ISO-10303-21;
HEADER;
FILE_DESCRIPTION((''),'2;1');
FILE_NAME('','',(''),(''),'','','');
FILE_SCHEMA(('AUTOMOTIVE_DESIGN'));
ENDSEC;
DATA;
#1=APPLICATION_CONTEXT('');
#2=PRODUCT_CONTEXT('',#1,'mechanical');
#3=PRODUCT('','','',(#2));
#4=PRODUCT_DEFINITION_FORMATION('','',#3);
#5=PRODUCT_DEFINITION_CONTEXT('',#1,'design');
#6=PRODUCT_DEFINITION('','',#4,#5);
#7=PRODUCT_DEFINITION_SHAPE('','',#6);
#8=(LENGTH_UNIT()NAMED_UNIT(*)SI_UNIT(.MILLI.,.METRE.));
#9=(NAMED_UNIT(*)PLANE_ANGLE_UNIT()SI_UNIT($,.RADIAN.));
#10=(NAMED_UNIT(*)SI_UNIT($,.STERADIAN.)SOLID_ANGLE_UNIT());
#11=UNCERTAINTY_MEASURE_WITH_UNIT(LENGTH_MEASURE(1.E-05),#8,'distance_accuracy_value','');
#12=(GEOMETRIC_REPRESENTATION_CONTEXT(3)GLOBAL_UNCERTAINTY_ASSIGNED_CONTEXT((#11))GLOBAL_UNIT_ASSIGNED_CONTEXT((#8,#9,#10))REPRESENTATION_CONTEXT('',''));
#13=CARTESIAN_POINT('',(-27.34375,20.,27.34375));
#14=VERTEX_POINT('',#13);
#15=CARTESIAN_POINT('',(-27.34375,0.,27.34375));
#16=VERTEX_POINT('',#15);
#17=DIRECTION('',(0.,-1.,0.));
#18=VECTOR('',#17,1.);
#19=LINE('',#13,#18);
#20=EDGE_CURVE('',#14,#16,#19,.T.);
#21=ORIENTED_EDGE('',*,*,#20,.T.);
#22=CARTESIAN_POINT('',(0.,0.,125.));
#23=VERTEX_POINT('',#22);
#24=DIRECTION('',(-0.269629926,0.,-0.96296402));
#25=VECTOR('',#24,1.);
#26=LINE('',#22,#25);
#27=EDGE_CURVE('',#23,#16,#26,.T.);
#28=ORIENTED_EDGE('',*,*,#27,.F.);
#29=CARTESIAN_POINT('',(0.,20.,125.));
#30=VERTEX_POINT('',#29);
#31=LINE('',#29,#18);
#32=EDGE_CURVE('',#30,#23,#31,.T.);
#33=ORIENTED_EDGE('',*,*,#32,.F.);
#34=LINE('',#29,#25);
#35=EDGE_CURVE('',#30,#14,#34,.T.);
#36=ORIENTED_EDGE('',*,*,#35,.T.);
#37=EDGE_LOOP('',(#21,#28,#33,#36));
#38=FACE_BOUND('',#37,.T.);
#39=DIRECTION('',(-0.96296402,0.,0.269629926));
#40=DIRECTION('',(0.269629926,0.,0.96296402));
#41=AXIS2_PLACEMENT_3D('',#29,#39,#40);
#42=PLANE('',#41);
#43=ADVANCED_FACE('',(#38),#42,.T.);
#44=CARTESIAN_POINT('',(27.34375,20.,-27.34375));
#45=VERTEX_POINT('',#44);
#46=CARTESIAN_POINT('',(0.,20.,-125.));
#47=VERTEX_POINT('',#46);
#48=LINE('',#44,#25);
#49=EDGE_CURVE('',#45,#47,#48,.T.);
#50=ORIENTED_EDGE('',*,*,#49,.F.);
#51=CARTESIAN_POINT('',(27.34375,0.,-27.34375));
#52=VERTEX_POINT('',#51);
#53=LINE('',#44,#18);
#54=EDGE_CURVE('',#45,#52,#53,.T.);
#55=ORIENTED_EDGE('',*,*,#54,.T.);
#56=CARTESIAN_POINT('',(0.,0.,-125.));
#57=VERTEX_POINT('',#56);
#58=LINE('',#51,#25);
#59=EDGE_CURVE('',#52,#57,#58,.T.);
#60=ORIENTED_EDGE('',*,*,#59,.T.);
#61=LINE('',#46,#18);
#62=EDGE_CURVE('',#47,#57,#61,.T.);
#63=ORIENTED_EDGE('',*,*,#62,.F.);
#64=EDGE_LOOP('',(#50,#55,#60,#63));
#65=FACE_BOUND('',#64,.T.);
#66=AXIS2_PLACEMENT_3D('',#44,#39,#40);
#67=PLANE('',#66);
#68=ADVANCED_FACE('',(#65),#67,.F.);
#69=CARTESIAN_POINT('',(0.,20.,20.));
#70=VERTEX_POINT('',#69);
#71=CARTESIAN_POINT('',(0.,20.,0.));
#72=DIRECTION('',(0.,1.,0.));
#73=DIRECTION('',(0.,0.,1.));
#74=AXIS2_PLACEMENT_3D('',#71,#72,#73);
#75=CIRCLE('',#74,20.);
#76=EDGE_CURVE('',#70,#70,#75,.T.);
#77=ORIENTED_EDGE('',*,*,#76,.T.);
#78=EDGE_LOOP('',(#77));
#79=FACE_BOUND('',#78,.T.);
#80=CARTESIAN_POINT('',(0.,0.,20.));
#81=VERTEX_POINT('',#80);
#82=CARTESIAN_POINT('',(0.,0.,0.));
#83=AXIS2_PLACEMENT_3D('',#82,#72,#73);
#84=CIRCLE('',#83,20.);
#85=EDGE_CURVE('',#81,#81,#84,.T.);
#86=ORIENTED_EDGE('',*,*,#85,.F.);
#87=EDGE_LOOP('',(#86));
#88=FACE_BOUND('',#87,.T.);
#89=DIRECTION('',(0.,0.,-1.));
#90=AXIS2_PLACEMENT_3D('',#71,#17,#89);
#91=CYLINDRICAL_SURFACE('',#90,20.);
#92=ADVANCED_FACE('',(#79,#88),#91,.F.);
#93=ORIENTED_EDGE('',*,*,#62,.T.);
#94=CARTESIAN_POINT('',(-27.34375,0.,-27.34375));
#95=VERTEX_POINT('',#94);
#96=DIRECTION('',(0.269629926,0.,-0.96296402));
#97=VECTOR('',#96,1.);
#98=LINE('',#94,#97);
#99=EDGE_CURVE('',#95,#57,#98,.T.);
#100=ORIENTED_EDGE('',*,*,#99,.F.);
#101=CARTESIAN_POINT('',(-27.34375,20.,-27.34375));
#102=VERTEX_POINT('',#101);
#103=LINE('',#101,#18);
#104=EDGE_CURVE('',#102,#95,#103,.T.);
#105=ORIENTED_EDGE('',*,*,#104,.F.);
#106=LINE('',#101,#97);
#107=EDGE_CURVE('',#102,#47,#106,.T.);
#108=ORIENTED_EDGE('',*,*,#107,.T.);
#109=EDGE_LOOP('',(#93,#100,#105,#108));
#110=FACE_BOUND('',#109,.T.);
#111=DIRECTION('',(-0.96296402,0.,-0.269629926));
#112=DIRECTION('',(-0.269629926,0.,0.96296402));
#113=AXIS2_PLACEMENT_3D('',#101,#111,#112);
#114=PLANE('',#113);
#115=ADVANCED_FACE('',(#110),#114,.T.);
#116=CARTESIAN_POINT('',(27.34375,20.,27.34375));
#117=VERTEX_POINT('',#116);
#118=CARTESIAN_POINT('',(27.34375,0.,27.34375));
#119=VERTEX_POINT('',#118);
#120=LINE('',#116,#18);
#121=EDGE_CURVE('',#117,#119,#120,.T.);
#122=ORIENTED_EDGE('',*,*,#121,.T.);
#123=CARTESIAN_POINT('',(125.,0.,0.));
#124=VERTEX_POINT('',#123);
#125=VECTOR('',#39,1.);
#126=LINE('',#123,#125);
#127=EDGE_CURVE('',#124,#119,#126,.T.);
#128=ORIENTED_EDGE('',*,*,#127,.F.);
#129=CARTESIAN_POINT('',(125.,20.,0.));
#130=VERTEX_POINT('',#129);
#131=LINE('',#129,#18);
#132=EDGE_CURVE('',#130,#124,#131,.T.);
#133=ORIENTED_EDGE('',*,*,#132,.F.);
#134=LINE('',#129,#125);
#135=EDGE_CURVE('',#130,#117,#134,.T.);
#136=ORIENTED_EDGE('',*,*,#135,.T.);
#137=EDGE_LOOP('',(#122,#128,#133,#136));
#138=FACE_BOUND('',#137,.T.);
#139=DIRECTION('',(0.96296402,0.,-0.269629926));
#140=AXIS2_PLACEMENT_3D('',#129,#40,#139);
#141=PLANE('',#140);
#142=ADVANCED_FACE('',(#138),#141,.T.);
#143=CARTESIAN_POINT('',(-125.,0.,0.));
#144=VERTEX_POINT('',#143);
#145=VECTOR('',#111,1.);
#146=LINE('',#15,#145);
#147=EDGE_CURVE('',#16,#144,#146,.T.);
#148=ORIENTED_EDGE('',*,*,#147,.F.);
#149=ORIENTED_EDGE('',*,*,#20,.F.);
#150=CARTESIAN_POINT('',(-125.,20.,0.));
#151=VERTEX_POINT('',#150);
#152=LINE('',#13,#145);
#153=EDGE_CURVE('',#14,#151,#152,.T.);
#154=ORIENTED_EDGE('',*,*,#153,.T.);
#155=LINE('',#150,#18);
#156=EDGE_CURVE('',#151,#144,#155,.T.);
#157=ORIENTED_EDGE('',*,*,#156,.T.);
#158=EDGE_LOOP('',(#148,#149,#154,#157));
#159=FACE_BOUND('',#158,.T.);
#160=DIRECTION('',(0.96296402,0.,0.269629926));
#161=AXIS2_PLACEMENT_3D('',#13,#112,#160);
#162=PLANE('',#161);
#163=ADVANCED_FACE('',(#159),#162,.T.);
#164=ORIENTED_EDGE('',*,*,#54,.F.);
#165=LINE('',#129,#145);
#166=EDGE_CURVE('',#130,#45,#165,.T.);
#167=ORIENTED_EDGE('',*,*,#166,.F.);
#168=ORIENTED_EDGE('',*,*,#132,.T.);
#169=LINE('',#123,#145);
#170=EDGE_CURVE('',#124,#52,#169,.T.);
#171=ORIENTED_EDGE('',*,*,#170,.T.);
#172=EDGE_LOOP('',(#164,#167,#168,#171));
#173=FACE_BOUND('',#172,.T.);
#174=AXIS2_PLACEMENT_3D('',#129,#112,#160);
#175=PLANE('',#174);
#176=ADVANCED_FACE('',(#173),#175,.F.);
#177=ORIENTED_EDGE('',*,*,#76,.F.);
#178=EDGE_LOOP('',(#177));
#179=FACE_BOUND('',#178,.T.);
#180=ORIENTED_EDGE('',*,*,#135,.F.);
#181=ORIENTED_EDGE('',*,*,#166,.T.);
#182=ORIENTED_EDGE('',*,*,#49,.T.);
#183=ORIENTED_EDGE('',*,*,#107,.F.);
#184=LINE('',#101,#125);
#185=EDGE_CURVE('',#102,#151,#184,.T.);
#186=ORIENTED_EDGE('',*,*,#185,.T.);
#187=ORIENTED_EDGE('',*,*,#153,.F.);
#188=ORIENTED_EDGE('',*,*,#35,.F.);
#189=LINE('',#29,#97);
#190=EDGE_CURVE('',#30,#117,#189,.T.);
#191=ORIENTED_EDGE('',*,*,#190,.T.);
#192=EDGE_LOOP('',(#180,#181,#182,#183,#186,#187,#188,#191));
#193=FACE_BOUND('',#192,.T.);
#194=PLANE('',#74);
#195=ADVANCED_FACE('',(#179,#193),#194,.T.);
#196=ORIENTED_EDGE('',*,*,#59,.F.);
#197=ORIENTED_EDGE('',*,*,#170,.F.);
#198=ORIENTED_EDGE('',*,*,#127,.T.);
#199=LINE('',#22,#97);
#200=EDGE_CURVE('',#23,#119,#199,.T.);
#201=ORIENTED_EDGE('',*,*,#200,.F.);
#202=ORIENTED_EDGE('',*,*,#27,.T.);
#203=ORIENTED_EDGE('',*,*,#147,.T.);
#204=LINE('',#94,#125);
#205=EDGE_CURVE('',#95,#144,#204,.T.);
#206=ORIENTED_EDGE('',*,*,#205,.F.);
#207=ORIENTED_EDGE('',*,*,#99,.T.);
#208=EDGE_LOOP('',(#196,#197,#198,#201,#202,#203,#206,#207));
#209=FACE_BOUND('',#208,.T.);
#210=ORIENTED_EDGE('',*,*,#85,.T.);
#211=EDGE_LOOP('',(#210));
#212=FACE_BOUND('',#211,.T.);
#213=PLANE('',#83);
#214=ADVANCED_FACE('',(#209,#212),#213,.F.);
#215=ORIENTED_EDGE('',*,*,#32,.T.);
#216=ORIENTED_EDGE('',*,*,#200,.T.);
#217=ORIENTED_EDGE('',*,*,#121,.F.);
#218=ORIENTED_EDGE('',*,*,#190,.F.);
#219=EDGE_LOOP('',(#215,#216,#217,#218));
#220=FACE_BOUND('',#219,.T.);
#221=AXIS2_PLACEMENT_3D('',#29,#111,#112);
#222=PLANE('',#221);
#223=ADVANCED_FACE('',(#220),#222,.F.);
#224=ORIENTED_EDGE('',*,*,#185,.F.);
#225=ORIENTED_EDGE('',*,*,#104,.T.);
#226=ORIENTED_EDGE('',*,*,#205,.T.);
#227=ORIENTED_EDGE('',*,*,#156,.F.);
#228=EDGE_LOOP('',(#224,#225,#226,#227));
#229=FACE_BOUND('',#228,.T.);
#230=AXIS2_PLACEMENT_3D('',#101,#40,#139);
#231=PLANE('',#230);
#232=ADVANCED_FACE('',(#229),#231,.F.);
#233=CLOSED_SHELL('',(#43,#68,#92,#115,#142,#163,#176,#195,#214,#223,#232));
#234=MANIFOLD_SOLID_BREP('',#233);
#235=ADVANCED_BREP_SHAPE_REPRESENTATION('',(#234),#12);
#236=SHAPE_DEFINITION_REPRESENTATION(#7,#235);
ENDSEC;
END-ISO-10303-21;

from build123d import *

# Parameters (mm, degrees)
SKETCH1_R           = 20
BOSS_EXTRUDE2_DEPTH = 20


with BuildPart() as part:
    # Sketch1 → Boss-Extrude2 (new body)
    with BuildSketch(Plane(origin=(0, 0, 0), x_dir=(1, 0, 0), z_dir=(0, 1, 0))):
        Polygon((125, 0), (27.34375, 27.34375), (0, 125), (-27.34375, 27.34375), (-125, 0), (-27.34375, -27.34375), (0, -125), (27.34375, -27.34375), align=None)
        with Locations(Location((0, 0, 0), (0, 0, 270))):
            Circle(SKETCH1_R, mode=Mode.SUBTRACT)
    extrude(amount=BOSS_EXTRUDE2_DEPTH)


solid = part.part
